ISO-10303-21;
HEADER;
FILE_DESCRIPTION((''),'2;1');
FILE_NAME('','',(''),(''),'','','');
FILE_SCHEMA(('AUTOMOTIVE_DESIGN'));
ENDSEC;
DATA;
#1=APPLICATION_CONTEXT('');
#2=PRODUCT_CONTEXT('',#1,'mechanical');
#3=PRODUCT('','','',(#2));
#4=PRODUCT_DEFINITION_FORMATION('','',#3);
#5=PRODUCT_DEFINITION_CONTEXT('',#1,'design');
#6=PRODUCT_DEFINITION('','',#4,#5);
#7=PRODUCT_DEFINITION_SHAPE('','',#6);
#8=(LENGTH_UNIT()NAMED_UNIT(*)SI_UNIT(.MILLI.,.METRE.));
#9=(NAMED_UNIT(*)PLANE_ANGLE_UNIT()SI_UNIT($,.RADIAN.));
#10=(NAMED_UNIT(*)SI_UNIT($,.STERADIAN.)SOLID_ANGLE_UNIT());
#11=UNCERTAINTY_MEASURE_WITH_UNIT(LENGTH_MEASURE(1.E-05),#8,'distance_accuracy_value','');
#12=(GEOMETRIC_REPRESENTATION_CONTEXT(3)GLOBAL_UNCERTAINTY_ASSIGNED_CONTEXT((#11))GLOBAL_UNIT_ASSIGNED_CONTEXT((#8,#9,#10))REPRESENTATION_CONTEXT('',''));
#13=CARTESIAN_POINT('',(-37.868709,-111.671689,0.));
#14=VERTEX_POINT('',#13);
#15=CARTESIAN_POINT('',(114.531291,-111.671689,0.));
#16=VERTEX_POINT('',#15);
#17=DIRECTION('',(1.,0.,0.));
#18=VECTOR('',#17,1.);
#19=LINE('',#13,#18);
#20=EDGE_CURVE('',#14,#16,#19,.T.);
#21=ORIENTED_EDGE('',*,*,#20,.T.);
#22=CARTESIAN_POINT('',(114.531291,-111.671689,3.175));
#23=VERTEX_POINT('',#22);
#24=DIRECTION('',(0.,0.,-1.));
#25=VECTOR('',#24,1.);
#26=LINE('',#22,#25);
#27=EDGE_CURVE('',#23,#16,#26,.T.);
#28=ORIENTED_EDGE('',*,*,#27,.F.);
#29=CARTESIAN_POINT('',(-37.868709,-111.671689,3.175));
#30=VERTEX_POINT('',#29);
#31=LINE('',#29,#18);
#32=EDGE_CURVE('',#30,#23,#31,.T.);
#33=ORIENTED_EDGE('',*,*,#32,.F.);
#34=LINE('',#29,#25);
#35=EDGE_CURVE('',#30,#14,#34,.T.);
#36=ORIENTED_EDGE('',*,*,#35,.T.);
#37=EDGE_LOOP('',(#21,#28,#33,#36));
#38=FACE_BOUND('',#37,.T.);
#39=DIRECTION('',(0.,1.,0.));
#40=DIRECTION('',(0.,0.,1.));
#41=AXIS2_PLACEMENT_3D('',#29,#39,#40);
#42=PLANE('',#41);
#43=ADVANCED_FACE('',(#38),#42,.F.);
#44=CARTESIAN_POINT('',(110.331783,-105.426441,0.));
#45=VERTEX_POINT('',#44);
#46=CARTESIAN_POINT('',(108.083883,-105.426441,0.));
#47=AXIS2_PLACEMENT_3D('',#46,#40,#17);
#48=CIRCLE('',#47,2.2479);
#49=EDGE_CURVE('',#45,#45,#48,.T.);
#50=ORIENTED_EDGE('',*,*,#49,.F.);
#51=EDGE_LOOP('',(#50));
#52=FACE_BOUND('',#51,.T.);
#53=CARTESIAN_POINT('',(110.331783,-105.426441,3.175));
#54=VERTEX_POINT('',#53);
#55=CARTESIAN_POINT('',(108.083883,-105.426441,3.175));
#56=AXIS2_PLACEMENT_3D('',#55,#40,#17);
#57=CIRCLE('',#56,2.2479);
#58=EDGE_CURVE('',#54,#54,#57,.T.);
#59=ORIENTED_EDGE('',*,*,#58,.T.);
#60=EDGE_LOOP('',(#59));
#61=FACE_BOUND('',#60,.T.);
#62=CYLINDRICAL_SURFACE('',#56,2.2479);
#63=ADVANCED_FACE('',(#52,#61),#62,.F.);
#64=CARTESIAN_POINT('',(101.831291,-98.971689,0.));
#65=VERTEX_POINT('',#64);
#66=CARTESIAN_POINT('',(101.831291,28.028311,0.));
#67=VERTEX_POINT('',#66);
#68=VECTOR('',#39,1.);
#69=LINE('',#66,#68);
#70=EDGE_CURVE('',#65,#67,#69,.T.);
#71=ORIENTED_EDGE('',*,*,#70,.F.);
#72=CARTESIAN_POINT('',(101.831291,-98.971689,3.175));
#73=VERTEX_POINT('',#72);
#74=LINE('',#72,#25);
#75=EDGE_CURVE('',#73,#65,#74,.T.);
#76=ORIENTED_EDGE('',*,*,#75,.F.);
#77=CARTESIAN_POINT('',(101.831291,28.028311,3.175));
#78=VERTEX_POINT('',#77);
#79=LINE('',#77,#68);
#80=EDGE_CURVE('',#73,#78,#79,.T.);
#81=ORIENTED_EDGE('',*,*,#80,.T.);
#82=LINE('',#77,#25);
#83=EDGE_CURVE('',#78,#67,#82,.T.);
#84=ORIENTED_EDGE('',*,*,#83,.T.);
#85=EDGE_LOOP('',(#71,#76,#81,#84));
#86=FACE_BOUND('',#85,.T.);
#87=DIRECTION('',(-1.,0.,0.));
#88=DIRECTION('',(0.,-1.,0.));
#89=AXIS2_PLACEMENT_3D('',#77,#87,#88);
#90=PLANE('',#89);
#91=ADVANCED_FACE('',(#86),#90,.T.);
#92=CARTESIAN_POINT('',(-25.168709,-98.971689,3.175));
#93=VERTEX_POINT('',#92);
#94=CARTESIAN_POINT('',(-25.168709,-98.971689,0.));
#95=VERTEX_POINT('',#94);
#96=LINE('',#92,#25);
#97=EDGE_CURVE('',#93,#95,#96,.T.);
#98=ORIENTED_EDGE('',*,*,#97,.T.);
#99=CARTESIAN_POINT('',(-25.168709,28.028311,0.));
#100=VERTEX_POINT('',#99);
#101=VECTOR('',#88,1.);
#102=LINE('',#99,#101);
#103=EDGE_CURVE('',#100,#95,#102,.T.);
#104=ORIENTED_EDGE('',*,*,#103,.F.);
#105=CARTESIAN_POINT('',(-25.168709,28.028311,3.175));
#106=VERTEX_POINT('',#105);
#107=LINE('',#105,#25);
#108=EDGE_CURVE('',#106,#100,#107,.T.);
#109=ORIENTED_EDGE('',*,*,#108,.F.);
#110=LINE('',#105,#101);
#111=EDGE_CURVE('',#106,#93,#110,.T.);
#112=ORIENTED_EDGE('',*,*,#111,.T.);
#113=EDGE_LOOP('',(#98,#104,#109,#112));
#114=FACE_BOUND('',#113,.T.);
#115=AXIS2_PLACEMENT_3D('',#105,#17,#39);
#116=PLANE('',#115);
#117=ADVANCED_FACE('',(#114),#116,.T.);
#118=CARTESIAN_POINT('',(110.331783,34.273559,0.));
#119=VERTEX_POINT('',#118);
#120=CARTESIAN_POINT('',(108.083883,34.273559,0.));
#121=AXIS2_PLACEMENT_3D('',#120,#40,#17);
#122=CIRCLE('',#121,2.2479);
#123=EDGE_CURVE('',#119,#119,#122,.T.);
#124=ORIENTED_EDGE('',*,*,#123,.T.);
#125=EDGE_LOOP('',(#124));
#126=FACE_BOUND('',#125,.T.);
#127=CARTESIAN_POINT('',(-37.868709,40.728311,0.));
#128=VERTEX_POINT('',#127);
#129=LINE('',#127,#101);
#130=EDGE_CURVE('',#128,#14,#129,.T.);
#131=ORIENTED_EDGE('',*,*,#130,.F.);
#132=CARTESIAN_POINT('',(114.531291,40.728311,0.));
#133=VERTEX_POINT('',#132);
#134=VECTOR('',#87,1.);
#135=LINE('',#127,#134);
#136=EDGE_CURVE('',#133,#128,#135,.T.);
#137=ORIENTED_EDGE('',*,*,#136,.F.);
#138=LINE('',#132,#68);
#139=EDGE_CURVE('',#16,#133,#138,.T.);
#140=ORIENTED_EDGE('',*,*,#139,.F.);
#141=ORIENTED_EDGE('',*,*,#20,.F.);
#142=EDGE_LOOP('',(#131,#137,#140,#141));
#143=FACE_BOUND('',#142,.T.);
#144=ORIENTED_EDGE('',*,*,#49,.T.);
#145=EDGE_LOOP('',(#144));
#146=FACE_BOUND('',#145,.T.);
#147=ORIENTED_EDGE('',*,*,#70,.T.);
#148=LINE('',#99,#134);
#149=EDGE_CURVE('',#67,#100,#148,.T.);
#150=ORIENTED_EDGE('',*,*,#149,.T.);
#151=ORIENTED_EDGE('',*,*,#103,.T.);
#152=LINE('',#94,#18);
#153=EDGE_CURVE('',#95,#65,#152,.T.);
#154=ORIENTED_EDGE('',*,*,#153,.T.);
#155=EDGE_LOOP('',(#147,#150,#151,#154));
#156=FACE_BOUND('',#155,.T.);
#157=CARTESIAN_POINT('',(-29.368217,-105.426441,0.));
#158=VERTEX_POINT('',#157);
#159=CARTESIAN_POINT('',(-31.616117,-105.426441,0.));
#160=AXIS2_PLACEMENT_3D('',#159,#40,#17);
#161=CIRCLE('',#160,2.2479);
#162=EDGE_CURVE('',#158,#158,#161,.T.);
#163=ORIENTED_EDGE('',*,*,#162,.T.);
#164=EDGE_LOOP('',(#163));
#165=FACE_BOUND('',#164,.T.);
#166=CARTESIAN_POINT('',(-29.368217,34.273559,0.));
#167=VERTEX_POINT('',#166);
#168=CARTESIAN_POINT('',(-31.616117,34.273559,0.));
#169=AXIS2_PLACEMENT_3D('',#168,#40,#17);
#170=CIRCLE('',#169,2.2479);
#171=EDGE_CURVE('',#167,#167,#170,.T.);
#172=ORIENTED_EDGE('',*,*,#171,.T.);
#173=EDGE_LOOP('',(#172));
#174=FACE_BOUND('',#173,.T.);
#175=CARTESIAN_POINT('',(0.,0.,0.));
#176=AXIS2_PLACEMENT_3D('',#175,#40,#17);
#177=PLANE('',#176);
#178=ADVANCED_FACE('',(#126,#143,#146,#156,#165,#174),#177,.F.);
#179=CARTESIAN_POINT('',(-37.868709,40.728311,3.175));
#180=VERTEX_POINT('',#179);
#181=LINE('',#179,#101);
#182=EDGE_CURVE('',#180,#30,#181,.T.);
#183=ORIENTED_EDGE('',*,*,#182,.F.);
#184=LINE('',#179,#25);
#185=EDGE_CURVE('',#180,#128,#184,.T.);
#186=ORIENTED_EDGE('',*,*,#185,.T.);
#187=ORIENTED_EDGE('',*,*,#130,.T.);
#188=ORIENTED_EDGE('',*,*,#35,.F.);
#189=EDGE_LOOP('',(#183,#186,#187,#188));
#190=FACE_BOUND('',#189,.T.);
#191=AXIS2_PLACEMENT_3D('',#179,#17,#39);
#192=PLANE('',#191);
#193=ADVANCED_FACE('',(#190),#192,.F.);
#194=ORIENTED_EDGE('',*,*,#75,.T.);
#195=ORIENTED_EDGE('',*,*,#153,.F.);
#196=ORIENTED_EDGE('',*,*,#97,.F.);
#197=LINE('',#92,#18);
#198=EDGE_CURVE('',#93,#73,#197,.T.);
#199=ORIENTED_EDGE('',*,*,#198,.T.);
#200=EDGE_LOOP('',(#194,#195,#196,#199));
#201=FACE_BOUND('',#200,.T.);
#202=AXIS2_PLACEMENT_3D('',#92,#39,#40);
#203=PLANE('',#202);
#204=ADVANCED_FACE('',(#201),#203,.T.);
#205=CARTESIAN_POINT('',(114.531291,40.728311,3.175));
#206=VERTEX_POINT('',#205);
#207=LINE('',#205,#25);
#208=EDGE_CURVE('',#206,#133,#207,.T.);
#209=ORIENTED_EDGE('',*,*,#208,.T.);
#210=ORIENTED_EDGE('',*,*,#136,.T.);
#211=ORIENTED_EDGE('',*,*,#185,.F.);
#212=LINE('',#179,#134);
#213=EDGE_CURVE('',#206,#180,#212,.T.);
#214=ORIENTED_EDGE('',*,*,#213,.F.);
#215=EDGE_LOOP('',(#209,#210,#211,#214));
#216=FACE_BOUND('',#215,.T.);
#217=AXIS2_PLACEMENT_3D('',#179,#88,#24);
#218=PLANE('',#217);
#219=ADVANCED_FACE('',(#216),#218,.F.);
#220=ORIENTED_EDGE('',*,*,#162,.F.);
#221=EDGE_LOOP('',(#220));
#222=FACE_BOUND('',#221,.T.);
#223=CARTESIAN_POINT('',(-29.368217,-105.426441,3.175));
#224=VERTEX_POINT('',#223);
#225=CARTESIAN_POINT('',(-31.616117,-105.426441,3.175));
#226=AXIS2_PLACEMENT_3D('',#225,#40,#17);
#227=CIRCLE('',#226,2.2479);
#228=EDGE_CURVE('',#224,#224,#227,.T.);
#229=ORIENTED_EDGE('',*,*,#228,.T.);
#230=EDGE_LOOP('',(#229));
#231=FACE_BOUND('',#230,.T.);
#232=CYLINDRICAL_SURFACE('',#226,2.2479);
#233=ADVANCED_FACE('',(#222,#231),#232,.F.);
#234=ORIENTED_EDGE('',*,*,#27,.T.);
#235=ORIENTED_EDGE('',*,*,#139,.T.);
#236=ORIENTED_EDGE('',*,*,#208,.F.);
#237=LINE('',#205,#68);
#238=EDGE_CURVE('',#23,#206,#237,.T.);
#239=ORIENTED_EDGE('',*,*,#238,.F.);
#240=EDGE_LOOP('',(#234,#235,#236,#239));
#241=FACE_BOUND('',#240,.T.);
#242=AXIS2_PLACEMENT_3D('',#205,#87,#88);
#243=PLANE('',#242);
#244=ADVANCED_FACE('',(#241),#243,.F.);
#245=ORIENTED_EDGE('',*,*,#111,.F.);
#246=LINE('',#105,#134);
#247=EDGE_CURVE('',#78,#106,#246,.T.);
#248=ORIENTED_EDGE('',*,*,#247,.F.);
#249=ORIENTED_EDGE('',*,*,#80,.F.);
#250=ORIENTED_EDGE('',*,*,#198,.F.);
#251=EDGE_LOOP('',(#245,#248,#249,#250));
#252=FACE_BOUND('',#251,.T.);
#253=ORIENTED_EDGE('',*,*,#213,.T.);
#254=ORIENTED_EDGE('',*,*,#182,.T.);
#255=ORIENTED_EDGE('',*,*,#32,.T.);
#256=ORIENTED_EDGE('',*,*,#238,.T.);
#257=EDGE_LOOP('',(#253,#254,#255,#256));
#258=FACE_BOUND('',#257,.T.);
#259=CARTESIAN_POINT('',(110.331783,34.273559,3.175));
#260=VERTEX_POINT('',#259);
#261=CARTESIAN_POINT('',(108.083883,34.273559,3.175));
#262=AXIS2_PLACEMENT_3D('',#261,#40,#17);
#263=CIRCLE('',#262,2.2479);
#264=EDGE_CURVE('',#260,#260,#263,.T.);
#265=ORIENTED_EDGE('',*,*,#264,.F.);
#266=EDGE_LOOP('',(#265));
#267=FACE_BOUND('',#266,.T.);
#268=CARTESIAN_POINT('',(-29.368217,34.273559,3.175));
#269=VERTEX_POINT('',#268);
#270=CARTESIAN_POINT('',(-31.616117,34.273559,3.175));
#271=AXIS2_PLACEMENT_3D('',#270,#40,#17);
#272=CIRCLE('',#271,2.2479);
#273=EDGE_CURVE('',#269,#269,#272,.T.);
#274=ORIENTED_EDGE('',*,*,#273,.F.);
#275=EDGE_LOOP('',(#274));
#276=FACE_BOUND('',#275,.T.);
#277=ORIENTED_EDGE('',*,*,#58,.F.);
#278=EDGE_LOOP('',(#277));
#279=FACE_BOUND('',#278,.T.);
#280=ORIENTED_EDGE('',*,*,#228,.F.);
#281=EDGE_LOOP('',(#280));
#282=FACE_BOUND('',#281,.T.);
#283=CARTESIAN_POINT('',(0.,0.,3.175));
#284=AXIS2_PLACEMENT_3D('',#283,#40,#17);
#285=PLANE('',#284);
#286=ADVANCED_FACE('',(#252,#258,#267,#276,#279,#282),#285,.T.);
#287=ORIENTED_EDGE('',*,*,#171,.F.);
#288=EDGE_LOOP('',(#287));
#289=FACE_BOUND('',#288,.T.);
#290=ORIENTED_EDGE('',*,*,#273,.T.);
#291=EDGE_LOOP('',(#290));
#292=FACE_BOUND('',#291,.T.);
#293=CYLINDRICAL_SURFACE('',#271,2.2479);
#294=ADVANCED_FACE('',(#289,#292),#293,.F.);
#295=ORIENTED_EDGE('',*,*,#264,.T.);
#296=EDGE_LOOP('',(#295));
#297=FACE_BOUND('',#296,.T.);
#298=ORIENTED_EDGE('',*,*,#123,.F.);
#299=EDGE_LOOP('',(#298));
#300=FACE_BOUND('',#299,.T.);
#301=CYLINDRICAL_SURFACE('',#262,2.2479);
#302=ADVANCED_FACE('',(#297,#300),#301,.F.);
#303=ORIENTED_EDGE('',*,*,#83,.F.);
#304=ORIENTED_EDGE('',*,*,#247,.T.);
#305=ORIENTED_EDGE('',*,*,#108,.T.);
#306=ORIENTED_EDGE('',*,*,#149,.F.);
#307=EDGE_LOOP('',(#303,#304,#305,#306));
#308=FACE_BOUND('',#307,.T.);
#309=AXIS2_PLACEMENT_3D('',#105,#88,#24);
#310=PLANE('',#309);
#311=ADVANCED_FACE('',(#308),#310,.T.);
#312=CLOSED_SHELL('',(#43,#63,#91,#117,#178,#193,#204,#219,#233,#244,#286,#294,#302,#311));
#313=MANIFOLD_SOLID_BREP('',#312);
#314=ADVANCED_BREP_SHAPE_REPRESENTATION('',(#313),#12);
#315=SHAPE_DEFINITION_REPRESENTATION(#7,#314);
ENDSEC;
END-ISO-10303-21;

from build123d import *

# Parameters (mm, degrees)
SKETCH1_W             = 152.4
SKETCH1_H             = 152.4
SKETCH1_W_2           = 127
SKETCH1_H_2           = 127
BOSS_EXTRUDE1_DEPTH   = 3.175
F_8_CLEARANCE_HOLE2_D = 4.4958
LPATTERN1_COUNT       = 2
LPATTERN1_PITCH       = 139.7
LPATTERN1_COUNT_DIR2  = 2
LPATTERN1_PITCH_DIR2  = 139.7


with BuildPart() as part:
    # Sketch1 → Boss-Extrude1 (new body)
    with BuildSketch(Plane.XY):
        with Locations((38.331291391, -35.471688742)):
            Rectangle(SKETCH1_W, SKETCH1_H)
        with Locations((38.331291391, -35.471688742)):
            Rectangle(SKETCH1_W_2, SKETCH1_H_2, mode=Mode.SUBTRACT)
    extrude(amount=BOSS_EXTRUDE1_DEPTH)

    # #8 Clearance Hole2 (through all)
    with Locations(Plane.XY.offset(3.175)):
        with Locations((-31.616116629, 34.273559139)):
            f_8_clearance_hole2 = Hole(F_8_CLEARANCE_HOLE2_D / 2)

    # LPattern1: 8 Clearance Hole2 2 × 2
    with Locations(*[(i * LPATTERN1_PITCH, -j * LPATTERN1_PITCH_DIR2, 0) for i in range(LPATTERN1_COUNT) for j in range(LPATTERN1_COUNT_DIR2) if (i, j) != (0, 0)]):
        add(f_8_clearance_hole2, mode=Mode.SUBTRACT)


solid = part.part
